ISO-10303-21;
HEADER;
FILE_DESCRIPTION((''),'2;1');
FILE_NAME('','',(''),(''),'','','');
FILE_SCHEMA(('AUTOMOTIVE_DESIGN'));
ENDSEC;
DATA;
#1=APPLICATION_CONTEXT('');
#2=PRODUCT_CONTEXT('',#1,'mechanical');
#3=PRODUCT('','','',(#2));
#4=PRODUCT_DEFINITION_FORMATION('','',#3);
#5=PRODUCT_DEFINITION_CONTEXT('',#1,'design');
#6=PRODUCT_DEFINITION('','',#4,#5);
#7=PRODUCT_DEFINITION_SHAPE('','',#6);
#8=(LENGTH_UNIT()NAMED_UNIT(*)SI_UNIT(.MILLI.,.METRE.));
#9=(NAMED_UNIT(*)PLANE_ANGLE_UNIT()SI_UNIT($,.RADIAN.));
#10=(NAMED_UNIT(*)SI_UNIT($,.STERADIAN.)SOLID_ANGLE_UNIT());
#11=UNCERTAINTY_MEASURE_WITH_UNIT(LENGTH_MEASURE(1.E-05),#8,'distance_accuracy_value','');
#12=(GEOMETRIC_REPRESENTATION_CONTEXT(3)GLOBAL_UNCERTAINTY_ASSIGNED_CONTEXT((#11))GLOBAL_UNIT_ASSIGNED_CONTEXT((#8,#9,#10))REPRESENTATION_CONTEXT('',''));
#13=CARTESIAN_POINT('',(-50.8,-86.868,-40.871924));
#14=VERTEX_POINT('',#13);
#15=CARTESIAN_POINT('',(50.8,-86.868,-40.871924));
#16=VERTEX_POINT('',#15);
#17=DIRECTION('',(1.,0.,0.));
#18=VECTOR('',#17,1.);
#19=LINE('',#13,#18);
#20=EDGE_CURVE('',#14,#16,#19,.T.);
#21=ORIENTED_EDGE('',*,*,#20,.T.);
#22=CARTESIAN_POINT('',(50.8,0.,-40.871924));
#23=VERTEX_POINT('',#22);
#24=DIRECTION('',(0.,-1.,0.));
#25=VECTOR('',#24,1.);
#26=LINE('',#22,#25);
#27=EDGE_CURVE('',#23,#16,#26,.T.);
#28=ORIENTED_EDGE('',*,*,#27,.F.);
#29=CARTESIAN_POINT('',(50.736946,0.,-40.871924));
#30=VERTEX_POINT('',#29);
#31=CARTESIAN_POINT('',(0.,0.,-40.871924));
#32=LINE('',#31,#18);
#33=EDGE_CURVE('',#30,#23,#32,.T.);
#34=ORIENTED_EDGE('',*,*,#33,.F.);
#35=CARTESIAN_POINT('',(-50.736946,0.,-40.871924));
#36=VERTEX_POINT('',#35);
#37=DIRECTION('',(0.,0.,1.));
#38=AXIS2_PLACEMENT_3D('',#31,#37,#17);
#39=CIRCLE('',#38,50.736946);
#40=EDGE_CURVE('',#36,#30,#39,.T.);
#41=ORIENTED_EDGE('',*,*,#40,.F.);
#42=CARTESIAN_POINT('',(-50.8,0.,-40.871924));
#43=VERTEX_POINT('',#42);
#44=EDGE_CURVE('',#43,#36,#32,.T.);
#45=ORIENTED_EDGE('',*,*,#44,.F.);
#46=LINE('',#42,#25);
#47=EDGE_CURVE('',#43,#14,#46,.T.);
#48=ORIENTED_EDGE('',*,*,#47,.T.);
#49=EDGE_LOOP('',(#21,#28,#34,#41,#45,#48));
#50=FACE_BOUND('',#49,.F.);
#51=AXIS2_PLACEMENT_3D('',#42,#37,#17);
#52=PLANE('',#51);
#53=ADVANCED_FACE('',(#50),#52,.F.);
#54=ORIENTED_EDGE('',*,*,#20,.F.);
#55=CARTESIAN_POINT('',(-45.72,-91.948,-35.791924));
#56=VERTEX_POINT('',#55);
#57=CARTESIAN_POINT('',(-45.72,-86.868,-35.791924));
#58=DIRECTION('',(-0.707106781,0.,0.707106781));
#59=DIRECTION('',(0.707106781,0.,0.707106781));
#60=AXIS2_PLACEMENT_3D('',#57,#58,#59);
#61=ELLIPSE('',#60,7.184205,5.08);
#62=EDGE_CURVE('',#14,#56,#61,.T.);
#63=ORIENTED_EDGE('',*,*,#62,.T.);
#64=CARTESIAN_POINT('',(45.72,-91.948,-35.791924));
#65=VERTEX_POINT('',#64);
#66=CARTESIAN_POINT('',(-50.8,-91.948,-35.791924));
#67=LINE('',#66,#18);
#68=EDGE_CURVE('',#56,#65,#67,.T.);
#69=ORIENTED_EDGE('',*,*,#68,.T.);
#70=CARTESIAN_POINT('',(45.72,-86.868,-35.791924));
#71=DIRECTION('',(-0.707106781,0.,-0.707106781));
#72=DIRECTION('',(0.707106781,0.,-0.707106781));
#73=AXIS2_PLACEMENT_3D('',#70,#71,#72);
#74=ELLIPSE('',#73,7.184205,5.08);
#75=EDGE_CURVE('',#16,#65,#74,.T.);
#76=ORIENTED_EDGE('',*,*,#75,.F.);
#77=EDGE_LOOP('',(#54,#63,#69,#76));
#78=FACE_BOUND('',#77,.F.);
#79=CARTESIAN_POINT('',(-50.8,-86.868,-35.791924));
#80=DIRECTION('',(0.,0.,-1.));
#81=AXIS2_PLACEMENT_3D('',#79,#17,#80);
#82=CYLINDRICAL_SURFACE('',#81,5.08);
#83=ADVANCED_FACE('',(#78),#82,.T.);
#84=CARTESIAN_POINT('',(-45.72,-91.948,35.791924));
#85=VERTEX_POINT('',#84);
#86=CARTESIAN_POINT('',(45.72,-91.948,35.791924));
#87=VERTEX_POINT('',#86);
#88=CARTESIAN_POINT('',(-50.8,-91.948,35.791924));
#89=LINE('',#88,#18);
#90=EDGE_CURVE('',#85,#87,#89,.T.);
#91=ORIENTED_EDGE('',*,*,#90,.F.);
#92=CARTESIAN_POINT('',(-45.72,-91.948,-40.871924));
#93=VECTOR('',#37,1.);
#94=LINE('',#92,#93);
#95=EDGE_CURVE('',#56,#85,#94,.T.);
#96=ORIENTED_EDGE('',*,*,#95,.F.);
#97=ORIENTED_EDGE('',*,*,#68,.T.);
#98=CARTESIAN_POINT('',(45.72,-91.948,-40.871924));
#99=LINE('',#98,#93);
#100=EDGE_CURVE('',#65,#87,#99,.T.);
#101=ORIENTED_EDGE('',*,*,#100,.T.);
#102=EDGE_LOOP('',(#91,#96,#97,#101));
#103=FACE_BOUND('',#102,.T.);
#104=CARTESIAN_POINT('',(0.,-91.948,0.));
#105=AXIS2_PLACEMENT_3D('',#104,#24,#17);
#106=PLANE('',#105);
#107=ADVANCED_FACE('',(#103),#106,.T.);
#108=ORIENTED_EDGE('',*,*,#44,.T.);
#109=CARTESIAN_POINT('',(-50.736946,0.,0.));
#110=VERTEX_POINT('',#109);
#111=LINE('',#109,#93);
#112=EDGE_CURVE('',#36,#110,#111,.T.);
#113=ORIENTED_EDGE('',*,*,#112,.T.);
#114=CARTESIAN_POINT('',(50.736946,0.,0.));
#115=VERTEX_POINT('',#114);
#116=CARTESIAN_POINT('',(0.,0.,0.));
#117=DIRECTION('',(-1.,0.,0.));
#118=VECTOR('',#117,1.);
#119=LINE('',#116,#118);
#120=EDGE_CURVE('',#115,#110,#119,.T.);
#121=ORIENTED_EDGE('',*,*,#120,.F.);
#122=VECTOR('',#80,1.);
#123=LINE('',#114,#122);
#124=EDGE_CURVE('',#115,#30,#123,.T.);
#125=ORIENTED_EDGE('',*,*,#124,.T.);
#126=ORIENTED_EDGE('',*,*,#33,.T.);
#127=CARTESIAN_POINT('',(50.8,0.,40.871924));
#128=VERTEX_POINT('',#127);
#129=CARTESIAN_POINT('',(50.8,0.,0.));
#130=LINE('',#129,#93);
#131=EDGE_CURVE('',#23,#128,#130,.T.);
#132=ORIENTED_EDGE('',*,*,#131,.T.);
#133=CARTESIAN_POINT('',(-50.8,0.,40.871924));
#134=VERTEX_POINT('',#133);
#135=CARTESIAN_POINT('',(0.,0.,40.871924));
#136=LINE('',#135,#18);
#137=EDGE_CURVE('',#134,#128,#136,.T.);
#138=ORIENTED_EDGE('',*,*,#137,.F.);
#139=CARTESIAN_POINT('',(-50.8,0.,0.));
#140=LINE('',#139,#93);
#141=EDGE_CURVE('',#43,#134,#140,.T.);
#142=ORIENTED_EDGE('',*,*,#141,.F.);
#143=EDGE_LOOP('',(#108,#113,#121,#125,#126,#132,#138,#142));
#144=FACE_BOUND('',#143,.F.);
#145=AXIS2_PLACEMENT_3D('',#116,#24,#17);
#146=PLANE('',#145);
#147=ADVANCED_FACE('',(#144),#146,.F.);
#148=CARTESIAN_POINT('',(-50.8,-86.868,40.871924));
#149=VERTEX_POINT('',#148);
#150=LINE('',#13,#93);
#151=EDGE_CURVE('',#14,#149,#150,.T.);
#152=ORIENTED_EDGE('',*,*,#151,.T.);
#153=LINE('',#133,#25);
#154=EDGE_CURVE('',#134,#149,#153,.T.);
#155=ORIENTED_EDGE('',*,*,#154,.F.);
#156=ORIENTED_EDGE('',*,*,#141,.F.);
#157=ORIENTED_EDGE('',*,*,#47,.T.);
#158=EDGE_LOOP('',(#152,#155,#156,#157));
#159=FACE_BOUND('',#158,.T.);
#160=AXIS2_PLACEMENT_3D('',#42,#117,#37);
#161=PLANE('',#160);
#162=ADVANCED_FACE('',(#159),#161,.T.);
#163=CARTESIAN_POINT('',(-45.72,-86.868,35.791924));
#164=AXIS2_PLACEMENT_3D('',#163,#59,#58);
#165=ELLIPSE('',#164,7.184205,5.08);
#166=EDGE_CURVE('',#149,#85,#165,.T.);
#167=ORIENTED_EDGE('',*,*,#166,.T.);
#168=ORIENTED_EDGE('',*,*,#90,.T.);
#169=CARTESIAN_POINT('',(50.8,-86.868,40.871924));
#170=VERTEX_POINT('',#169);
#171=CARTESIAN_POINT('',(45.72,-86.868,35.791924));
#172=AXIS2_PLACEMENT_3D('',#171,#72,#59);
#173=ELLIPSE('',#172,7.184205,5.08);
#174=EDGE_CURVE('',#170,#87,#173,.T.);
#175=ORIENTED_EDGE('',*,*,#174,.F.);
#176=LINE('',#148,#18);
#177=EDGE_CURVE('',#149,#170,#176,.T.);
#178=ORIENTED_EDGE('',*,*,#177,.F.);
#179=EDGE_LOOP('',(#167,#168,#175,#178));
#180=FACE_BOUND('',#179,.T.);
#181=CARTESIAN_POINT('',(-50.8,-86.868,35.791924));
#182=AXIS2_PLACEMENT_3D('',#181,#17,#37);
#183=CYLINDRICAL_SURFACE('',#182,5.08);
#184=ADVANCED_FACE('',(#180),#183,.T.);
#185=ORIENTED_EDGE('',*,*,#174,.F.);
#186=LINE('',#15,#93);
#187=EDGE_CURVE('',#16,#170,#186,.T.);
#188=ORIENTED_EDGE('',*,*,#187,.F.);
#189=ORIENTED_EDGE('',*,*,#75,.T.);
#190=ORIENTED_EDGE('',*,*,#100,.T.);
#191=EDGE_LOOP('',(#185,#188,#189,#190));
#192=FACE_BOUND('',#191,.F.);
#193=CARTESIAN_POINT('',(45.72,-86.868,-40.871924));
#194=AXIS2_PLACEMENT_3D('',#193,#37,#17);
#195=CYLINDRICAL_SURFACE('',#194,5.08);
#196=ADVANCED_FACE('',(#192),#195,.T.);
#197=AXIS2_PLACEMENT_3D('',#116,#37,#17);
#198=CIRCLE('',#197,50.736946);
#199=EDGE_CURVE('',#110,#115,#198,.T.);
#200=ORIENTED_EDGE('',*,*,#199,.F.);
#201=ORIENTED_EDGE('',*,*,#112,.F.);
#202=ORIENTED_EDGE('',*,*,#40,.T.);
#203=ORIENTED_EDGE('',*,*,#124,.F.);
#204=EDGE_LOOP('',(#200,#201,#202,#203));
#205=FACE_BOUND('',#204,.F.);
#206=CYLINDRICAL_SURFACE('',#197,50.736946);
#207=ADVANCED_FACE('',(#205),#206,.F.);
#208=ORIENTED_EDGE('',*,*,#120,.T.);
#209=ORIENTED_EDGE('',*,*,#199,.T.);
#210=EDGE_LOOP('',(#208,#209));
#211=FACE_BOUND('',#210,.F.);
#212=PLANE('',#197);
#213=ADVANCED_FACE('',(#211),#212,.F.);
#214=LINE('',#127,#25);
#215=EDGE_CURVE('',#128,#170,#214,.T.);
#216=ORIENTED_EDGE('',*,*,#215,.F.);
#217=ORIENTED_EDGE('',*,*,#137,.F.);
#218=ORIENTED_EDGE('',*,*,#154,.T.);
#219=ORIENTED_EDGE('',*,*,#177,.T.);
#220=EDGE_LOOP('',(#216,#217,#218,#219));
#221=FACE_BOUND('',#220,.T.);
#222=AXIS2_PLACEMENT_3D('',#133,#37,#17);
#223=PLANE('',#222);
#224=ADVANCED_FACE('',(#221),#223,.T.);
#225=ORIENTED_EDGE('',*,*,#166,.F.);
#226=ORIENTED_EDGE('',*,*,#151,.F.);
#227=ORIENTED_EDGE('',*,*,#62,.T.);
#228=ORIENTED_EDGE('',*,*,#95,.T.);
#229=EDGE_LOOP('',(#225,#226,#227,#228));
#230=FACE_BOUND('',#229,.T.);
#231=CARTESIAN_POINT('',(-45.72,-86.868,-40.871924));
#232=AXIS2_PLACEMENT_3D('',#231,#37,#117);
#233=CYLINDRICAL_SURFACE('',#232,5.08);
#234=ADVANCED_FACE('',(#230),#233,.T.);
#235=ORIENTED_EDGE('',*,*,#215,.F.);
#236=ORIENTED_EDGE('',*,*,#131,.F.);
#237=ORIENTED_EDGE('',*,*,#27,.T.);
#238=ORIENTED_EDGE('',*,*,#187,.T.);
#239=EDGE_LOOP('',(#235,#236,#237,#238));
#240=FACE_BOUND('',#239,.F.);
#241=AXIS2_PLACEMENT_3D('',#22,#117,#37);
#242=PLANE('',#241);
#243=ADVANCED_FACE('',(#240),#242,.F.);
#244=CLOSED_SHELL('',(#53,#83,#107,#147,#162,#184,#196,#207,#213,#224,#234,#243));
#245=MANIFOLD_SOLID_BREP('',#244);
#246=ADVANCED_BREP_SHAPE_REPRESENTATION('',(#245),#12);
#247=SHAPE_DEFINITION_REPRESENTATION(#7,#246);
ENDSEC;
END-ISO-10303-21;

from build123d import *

# Parameters (mm, degrees)
F0_W     = 101.6
F0_H     = 81.743848
F1_DEPTH = 91.948
F2_R     = 5.08
F3_R     = 50.736946
F4_DEPTH = 40.872924


with BuildPart() as f1:
    # F0 (on Front) → F1 (new body)
    with BuildSketch(Plane.XZ):
        Rectangle(F0_W, F0_H)
    extrude(amount=F1_DEPTH)

    # F2
    f2_edges = [f1.edges().sort_by_distance(p)[0] for p in [
        (-50.8, -91.948, 0),
        (0, -91.948, -40.871924),
        (50.8, -91.948, 0),
        (0, -91.948, 40.871924),
    ]]
    fillet(f2_edges, radius=F2_R)

    # F3 (on Top) → F4 (cut, through all)
    with BuildSketch(Plane.XY):
        Circle(F3_R)
    extrude(amount=-F4_DEPTH, mode=Mode.SUBTRACT)


solid = f1.part
